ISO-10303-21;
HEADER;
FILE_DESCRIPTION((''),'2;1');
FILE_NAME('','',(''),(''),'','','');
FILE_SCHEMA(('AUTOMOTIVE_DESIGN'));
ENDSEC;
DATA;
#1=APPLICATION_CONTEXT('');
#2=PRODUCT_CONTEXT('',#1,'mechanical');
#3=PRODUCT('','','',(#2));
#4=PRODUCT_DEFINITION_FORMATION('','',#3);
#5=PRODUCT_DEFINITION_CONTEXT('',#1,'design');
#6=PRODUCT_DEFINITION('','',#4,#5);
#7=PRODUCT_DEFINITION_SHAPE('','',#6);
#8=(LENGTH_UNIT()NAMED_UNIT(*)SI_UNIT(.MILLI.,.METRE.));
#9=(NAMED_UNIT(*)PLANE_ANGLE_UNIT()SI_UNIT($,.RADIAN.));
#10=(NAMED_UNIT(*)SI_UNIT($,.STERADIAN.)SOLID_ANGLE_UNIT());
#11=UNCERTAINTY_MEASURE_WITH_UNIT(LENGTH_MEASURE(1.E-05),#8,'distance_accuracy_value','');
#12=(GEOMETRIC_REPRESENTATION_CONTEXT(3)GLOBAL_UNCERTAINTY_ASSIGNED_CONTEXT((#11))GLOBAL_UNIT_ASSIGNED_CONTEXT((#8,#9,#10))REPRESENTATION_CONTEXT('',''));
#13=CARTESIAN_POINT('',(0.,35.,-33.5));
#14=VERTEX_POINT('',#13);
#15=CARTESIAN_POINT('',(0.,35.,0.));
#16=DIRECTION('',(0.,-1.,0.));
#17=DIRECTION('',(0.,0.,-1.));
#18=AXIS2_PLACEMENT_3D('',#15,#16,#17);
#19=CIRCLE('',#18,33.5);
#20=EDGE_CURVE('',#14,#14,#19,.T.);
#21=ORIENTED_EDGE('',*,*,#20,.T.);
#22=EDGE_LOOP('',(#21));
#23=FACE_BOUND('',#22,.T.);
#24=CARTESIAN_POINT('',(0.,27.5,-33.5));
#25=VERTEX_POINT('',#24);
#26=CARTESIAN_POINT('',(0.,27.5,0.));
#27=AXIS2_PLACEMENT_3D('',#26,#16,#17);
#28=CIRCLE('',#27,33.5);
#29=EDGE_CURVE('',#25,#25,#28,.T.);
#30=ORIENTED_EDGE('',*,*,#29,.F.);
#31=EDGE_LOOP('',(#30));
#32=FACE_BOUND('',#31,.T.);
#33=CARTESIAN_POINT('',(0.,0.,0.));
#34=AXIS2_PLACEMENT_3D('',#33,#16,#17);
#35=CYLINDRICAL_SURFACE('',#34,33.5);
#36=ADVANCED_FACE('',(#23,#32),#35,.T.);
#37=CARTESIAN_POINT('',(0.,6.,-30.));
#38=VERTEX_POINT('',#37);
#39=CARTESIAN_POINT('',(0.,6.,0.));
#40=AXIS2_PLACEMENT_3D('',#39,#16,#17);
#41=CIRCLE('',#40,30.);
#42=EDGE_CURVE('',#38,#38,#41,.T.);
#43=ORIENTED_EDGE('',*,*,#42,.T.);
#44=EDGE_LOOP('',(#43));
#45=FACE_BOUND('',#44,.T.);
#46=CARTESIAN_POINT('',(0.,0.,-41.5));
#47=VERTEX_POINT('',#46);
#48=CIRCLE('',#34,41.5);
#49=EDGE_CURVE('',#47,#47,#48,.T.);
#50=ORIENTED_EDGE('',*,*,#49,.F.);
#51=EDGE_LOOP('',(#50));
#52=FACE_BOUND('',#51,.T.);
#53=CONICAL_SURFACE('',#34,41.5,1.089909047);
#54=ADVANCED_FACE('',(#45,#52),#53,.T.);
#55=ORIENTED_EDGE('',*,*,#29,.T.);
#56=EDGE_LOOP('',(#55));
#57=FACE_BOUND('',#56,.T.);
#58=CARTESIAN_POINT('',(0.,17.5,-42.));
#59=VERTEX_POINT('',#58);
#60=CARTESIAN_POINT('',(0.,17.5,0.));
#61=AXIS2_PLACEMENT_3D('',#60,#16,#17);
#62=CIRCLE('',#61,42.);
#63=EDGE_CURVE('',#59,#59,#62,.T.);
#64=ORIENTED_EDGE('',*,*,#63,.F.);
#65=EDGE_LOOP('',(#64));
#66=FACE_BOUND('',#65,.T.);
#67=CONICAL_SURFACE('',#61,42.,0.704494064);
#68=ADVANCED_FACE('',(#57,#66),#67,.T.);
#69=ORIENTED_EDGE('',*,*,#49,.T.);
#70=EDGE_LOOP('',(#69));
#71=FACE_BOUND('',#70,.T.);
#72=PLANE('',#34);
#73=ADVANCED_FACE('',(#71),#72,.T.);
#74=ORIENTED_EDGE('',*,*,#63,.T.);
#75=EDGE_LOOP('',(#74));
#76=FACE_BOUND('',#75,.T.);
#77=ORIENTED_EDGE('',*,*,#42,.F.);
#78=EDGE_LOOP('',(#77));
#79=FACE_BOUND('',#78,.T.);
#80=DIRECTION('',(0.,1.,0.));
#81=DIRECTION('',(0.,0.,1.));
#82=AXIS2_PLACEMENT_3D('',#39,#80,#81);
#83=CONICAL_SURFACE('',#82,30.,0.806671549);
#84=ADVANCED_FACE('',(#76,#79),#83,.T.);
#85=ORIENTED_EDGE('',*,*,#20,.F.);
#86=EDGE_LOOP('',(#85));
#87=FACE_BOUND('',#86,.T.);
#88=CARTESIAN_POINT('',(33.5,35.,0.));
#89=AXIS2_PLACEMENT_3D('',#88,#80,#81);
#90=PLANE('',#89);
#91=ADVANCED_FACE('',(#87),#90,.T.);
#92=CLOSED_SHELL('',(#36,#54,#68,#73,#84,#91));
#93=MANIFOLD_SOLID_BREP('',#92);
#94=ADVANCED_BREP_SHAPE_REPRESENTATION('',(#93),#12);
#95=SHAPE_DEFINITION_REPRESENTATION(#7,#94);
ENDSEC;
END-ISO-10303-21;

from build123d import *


with BuildPart() as part:
    # 草图1 → 旋转1 (revolve)
    with BuildSketch(Plane.XY, mode=Mode.PRIVATE) as revolve_1_sk:
        Polygon((0, 0), (0, 35), (33.5, 35), (33.5, 27.5), (42, 17.5), (30, 6), (41.5, 0), align=None)
    revolve(revolve_1_sk.sketch.rotate(Axis((0, 0, 0), (0, 1, 0)), 90), axis=Axis((0, 0, 0), (0, 1, 0)))


solid = part.part
